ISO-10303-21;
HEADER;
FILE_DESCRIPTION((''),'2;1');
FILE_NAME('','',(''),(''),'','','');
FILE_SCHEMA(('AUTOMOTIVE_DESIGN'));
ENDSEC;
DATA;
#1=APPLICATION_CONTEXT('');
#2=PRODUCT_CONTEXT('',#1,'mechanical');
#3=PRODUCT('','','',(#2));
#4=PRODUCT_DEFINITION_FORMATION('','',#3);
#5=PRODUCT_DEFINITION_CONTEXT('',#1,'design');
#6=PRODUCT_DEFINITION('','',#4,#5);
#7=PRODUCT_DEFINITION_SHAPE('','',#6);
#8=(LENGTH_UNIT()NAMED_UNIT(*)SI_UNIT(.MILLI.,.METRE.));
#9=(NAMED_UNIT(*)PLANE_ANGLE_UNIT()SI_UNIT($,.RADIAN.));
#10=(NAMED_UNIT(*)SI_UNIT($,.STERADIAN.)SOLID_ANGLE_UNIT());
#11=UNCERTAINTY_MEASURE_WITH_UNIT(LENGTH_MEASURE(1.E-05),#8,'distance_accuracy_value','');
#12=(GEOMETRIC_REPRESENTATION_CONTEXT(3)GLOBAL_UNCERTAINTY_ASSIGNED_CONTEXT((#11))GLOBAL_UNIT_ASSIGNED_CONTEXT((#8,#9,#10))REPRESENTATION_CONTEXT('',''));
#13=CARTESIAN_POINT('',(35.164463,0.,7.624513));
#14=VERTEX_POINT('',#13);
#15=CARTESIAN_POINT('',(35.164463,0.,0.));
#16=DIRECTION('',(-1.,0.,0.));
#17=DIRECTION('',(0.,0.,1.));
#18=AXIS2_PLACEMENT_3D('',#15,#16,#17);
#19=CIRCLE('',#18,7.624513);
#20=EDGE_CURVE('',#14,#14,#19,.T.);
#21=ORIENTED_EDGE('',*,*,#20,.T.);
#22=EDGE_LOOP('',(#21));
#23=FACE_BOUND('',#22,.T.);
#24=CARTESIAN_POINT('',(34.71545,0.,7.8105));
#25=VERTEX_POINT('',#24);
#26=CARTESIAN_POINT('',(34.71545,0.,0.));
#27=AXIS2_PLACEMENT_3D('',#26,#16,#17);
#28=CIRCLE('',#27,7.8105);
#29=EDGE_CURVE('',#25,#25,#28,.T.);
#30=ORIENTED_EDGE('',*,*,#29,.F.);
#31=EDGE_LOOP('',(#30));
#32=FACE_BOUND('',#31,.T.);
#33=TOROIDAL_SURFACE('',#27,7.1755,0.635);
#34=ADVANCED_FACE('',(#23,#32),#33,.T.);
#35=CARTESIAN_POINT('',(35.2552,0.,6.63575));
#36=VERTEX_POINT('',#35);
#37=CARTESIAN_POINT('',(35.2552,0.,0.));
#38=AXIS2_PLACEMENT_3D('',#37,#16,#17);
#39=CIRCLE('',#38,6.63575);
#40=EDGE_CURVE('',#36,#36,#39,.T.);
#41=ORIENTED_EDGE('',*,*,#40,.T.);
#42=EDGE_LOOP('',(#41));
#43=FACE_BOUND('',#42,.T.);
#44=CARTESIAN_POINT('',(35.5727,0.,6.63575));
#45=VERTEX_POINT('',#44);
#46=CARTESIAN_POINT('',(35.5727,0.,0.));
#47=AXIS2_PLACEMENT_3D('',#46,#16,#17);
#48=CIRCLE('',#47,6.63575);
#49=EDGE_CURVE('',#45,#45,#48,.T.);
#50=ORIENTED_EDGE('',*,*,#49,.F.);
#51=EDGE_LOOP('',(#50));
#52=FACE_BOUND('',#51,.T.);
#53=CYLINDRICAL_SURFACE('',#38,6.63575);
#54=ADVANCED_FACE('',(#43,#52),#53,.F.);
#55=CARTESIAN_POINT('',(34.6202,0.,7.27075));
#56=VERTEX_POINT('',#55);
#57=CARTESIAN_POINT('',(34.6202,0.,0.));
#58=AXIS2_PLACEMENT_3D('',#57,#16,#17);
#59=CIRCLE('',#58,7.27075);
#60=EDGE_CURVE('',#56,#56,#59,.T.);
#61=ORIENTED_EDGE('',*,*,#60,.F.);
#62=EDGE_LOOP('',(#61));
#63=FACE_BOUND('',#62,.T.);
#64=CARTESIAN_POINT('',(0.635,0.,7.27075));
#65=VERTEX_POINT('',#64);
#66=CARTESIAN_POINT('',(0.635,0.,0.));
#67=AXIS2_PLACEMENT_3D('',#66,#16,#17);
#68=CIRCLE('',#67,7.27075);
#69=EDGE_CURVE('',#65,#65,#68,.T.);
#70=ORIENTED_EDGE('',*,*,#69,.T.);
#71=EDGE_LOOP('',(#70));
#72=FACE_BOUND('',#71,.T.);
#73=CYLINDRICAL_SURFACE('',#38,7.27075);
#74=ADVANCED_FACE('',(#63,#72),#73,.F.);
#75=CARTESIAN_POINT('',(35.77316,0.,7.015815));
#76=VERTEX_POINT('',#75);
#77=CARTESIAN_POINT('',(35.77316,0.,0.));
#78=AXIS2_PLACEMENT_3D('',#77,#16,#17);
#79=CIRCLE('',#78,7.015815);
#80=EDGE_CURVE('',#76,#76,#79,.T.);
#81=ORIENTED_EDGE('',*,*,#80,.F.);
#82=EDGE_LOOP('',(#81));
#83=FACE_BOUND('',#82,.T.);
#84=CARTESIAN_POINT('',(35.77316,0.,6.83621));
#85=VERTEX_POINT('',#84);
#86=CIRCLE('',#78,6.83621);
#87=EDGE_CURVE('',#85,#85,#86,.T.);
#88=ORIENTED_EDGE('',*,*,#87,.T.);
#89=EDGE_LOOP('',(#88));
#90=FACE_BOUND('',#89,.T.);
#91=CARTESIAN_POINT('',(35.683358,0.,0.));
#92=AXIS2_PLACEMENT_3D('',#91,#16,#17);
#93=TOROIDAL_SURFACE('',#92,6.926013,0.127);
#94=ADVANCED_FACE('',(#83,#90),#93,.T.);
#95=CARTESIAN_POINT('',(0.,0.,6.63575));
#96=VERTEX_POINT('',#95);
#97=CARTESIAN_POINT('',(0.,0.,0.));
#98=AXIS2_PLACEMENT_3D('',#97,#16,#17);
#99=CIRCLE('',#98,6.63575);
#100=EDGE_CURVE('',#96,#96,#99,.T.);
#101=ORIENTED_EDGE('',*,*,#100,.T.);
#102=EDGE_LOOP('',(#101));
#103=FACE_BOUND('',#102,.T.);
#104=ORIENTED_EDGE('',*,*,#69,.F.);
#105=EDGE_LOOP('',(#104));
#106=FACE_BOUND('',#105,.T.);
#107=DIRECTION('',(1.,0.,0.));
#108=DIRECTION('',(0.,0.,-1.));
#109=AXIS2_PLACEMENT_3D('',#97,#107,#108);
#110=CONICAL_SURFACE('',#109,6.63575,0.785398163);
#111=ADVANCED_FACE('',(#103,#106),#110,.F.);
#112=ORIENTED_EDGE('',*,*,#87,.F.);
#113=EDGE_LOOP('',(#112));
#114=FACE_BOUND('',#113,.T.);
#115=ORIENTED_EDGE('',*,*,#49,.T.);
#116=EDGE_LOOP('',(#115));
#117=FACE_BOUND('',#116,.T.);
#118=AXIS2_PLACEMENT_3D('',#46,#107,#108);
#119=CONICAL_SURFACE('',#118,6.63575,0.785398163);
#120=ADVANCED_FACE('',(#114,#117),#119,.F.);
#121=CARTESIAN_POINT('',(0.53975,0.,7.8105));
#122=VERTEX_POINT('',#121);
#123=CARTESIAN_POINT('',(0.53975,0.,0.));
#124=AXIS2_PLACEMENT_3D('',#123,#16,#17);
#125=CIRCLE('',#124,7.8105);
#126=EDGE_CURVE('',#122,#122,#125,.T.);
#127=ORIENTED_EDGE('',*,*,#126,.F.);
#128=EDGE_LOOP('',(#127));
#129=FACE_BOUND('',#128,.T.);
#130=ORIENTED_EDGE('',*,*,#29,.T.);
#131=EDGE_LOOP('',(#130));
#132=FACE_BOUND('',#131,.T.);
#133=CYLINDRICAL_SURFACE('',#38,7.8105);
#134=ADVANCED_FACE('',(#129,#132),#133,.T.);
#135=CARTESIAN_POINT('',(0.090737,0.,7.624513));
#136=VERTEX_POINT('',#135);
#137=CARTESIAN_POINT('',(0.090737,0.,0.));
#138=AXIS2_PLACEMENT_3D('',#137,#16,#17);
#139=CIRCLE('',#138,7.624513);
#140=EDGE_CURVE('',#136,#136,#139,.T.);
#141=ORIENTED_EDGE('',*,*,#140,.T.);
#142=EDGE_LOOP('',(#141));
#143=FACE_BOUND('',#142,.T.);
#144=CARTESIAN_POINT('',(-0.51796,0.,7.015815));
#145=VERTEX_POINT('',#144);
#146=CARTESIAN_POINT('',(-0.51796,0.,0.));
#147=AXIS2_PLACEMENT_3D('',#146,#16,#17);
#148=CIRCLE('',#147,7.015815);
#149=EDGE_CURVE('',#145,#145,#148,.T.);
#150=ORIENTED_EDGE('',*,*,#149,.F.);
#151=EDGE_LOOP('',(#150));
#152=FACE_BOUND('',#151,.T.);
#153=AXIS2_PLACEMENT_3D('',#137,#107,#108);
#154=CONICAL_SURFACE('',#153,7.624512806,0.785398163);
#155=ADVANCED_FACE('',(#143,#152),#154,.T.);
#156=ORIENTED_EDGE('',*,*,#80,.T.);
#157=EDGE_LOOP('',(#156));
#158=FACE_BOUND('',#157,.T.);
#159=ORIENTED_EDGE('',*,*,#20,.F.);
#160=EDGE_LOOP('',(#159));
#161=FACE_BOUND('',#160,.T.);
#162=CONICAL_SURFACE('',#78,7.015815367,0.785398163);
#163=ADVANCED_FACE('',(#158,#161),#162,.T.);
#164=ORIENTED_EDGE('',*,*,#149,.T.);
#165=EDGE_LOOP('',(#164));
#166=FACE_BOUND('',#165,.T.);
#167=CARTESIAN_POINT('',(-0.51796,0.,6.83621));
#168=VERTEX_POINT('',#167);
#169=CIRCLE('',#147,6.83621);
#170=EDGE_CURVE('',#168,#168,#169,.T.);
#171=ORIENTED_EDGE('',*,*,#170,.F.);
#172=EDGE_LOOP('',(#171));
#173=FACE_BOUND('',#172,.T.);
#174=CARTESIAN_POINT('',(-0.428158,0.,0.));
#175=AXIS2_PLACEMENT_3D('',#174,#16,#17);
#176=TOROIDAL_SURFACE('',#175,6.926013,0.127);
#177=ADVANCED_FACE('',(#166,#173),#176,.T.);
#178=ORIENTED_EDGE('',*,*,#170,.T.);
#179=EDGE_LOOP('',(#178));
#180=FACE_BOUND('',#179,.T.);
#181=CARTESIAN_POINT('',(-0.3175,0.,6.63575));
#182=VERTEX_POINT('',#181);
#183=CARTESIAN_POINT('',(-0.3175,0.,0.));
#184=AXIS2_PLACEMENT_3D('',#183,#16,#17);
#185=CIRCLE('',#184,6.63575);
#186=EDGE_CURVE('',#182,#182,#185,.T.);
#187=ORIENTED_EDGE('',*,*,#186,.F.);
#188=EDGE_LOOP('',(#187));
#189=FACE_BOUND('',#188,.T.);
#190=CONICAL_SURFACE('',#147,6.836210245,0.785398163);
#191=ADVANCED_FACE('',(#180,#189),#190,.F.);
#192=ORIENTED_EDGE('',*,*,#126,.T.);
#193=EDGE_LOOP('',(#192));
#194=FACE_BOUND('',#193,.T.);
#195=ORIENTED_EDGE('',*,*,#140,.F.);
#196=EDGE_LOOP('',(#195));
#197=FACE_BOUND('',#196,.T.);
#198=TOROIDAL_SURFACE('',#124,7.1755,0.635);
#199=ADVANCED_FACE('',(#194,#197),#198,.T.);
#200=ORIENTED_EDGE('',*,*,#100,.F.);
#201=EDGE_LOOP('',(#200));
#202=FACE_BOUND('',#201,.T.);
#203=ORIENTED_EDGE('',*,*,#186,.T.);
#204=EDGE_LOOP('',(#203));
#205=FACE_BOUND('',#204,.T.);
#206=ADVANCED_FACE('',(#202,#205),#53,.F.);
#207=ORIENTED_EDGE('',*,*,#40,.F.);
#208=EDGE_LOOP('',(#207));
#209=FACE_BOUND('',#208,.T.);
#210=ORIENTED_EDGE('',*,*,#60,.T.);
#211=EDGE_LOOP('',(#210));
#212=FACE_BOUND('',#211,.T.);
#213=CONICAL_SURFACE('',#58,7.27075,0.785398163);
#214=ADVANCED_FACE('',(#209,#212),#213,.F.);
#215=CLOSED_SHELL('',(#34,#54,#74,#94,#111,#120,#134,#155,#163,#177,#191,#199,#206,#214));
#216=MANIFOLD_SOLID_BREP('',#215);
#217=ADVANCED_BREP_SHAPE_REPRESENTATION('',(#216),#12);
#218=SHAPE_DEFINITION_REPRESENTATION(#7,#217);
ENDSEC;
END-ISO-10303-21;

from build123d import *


with BuildPart() as part:
    # Sketch1 → Revolve1 (revolve)
    with BuildSketch(Plane.XY):
        with BuildLine():
            Line((-0.517960245, 6.836210245), (-0.3175, 6.63575))
            Line((-0.3175, 6.63575), (0, 6.63575))
            Line((0, 6.63575), (0.635, 7.27075))
            Line((0.635, 7.27075), (34.6202, 7.27075))
            Line((34.6202, 7.27075), (35.2552, 6.63575))
            Line((35.2552, 6.63575), (35.5727, 6.63575))
            Line((35.5727, 6.63575), (35.773160245, 6.836210245))
            ThreePointArc((35.773160245, 6.836210245), (35.810357684, 6.926012806), (35.773160245, 7.015815367))
            Line((35.773160245, 7.015815367), (35.164462806, 7.624512806))
            ThreePointArc((35.164462806, 7.624512806), (34.95845398, 7.762163503), (34.71545, 7.8105))
            Line((34.71545, 7.8105), (0.53975, 7.8105))
            ThreePointArc((0.53975, 7.8105), (0.29674602, 7.762163503), (0.090737194, 7.624512806))
            Line((0.090737194, 7.624512806), (-0.517960245, 7.015815367))
            ThreePointArc((-0.517960245, 7.015815367), (-0.555157684, 6.926012806), (-0.517960245, 6.836210245))
        make_face()
    revolve(axis=Axis((35.2552, 0, 0), (-1, 0, 0)))


solid = part.part
